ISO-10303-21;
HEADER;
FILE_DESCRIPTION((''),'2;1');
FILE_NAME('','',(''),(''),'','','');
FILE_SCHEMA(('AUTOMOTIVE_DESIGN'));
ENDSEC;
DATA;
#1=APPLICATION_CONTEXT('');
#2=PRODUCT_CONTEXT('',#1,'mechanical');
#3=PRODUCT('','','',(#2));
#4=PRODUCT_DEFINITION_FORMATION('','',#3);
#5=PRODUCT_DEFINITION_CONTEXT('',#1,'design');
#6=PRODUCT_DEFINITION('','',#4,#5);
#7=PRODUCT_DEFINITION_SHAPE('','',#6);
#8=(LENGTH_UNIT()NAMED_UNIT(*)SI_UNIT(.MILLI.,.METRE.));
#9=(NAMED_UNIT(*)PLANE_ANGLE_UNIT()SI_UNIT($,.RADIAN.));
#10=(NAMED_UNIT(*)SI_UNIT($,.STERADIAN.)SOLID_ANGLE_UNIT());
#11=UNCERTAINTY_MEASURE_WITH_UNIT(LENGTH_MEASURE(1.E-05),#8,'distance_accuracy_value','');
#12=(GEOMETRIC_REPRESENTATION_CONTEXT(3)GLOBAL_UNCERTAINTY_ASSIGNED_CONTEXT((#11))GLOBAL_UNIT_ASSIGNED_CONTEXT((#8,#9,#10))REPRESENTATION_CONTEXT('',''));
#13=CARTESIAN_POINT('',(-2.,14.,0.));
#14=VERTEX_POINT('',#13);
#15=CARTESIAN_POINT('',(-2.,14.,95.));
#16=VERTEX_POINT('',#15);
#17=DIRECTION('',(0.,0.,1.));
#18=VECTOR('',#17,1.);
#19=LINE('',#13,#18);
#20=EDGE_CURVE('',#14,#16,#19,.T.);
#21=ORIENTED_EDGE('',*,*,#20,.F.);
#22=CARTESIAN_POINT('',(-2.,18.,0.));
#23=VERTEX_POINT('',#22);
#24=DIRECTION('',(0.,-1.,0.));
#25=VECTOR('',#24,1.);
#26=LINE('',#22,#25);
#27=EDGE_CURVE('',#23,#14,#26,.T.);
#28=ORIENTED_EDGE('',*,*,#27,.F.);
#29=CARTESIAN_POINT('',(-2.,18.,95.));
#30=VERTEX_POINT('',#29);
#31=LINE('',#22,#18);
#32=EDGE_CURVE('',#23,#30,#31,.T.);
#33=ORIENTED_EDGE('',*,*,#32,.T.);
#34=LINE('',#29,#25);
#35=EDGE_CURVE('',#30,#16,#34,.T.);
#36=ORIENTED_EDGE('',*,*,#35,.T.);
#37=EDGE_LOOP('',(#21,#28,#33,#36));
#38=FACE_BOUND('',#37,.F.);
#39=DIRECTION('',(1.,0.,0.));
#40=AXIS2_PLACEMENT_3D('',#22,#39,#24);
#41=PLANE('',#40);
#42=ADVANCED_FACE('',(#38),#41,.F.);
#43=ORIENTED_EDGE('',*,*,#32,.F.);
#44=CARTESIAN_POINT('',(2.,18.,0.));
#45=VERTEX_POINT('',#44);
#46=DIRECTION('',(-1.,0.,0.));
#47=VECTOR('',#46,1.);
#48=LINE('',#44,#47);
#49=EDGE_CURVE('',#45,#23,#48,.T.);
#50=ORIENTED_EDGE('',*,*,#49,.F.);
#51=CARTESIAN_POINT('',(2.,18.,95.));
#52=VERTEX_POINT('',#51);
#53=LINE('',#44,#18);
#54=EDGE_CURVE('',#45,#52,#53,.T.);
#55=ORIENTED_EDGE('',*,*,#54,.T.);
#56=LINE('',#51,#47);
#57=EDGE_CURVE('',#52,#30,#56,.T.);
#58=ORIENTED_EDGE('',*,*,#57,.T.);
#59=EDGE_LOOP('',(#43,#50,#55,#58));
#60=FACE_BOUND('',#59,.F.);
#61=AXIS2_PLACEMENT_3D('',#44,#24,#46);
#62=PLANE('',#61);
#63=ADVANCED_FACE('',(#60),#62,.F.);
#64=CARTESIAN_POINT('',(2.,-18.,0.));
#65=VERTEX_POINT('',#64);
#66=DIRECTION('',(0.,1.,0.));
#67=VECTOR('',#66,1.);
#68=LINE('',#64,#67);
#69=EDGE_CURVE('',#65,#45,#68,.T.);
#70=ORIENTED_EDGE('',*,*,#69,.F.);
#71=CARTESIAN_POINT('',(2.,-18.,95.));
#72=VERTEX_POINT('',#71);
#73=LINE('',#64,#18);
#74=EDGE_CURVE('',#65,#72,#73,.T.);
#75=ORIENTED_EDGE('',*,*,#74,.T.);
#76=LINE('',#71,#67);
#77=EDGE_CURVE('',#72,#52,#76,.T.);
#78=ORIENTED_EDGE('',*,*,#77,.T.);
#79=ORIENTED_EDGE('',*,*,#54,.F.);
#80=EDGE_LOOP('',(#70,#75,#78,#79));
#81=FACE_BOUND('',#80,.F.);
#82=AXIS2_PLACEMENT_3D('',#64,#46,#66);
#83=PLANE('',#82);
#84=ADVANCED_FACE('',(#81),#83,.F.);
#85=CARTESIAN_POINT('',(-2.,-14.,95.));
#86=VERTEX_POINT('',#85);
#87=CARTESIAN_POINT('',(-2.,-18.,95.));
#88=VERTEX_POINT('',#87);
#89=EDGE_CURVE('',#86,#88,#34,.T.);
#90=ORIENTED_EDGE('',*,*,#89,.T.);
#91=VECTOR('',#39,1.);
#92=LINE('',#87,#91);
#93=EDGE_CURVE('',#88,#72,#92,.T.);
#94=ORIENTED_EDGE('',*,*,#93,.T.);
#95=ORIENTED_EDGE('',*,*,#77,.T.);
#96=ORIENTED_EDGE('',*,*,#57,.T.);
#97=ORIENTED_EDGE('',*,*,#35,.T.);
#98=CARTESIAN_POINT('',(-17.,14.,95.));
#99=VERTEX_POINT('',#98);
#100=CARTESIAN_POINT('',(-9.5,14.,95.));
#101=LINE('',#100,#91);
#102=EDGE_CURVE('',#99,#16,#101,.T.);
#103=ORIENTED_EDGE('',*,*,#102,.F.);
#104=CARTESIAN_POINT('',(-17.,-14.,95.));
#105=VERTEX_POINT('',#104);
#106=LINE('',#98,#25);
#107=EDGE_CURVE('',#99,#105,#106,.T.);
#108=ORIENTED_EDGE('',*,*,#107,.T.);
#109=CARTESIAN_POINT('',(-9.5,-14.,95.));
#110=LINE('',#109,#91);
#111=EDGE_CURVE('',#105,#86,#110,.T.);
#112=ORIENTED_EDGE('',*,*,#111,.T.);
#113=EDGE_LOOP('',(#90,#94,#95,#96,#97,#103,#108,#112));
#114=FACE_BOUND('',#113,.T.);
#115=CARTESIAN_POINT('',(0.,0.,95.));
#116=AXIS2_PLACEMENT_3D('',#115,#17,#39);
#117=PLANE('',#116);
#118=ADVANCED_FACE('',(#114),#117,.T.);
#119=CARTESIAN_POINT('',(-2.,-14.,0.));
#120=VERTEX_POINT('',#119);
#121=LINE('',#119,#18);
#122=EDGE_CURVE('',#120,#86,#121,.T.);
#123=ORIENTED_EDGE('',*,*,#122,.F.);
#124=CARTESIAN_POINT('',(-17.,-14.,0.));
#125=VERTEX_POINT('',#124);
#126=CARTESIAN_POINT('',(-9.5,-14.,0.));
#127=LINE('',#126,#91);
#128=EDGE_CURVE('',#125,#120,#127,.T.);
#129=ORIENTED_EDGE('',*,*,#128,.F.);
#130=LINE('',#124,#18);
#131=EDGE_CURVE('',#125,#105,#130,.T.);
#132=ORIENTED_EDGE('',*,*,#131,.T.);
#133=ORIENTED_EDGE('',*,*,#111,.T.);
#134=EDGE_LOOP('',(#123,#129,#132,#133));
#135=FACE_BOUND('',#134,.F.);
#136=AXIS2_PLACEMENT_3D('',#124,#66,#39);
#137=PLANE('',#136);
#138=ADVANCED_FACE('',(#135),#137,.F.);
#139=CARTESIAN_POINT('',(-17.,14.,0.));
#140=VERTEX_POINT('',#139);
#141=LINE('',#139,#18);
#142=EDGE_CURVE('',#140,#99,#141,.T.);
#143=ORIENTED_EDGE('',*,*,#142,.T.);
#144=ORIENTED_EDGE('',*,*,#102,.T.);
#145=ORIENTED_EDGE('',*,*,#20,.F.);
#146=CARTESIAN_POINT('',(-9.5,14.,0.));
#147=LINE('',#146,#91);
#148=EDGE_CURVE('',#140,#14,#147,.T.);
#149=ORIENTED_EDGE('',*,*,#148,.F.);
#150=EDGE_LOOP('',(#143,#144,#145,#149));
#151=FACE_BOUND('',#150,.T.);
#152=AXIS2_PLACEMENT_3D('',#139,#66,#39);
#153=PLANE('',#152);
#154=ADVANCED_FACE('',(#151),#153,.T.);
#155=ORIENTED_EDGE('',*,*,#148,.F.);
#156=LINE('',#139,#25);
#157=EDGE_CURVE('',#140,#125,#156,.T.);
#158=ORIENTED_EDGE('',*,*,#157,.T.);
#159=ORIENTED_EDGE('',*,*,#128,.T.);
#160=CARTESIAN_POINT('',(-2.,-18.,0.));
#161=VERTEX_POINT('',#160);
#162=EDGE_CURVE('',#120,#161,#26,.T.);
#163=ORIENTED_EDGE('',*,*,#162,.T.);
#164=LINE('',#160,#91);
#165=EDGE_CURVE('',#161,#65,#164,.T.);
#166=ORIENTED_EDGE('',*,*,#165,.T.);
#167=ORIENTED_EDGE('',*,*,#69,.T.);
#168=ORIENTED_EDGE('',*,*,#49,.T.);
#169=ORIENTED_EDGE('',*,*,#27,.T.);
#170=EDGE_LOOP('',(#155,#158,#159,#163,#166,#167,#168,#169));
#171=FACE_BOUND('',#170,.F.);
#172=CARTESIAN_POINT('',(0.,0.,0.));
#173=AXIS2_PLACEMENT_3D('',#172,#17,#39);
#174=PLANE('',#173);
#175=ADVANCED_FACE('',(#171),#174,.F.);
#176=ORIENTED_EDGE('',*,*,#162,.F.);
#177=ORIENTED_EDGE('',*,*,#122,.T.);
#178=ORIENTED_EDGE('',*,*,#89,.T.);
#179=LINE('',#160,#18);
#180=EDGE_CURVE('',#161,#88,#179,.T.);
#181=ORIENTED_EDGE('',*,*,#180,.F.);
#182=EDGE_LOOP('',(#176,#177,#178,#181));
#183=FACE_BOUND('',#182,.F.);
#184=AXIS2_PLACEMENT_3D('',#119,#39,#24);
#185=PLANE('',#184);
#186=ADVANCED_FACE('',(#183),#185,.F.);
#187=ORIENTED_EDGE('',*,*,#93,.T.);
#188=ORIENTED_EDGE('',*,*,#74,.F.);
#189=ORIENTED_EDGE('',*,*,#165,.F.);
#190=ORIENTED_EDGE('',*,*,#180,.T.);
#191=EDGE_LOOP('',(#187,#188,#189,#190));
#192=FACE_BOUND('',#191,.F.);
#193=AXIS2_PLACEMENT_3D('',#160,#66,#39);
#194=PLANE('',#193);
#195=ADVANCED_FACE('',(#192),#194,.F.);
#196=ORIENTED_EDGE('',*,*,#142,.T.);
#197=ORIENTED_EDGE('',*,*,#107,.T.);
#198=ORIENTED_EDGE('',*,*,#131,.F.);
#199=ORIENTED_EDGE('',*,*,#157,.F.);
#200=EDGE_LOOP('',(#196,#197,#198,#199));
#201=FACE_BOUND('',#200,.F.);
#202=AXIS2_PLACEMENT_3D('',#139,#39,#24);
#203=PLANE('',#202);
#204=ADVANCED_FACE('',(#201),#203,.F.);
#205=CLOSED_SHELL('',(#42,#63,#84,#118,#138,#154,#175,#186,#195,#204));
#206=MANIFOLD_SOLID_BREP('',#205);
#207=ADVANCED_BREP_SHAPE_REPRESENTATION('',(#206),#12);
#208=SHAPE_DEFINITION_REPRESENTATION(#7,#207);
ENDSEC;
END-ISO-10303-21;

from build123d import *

# Parameters (mm, degrees)
F0_W     = 15
F0_H     = 5
F0_H_2   = 18
F1_DEPTH = 95


with BuildPart() as f1:
    # F0 (on Top) → F1 (new body)
    with BuildSketch(Plane.XY):
        Polygon((2, -18), (2, 18), (-2, 18), (-2, 14), (-2, 9), (-2, -9), (-2, -14), (-2, -18), align=None)
        with Locations((-9.5, 11.5)):
            Rectangle(F0_W, F0_H)
        with Locations((-9.5, 0)):
            Rectangle(F0_W, F0_H_2)
        with Locations((-9.5, -11.5)):
            Rectangle(F0_W, F0_H)
    extrude(amount=F1_DEPTH)


solid = f1.part
